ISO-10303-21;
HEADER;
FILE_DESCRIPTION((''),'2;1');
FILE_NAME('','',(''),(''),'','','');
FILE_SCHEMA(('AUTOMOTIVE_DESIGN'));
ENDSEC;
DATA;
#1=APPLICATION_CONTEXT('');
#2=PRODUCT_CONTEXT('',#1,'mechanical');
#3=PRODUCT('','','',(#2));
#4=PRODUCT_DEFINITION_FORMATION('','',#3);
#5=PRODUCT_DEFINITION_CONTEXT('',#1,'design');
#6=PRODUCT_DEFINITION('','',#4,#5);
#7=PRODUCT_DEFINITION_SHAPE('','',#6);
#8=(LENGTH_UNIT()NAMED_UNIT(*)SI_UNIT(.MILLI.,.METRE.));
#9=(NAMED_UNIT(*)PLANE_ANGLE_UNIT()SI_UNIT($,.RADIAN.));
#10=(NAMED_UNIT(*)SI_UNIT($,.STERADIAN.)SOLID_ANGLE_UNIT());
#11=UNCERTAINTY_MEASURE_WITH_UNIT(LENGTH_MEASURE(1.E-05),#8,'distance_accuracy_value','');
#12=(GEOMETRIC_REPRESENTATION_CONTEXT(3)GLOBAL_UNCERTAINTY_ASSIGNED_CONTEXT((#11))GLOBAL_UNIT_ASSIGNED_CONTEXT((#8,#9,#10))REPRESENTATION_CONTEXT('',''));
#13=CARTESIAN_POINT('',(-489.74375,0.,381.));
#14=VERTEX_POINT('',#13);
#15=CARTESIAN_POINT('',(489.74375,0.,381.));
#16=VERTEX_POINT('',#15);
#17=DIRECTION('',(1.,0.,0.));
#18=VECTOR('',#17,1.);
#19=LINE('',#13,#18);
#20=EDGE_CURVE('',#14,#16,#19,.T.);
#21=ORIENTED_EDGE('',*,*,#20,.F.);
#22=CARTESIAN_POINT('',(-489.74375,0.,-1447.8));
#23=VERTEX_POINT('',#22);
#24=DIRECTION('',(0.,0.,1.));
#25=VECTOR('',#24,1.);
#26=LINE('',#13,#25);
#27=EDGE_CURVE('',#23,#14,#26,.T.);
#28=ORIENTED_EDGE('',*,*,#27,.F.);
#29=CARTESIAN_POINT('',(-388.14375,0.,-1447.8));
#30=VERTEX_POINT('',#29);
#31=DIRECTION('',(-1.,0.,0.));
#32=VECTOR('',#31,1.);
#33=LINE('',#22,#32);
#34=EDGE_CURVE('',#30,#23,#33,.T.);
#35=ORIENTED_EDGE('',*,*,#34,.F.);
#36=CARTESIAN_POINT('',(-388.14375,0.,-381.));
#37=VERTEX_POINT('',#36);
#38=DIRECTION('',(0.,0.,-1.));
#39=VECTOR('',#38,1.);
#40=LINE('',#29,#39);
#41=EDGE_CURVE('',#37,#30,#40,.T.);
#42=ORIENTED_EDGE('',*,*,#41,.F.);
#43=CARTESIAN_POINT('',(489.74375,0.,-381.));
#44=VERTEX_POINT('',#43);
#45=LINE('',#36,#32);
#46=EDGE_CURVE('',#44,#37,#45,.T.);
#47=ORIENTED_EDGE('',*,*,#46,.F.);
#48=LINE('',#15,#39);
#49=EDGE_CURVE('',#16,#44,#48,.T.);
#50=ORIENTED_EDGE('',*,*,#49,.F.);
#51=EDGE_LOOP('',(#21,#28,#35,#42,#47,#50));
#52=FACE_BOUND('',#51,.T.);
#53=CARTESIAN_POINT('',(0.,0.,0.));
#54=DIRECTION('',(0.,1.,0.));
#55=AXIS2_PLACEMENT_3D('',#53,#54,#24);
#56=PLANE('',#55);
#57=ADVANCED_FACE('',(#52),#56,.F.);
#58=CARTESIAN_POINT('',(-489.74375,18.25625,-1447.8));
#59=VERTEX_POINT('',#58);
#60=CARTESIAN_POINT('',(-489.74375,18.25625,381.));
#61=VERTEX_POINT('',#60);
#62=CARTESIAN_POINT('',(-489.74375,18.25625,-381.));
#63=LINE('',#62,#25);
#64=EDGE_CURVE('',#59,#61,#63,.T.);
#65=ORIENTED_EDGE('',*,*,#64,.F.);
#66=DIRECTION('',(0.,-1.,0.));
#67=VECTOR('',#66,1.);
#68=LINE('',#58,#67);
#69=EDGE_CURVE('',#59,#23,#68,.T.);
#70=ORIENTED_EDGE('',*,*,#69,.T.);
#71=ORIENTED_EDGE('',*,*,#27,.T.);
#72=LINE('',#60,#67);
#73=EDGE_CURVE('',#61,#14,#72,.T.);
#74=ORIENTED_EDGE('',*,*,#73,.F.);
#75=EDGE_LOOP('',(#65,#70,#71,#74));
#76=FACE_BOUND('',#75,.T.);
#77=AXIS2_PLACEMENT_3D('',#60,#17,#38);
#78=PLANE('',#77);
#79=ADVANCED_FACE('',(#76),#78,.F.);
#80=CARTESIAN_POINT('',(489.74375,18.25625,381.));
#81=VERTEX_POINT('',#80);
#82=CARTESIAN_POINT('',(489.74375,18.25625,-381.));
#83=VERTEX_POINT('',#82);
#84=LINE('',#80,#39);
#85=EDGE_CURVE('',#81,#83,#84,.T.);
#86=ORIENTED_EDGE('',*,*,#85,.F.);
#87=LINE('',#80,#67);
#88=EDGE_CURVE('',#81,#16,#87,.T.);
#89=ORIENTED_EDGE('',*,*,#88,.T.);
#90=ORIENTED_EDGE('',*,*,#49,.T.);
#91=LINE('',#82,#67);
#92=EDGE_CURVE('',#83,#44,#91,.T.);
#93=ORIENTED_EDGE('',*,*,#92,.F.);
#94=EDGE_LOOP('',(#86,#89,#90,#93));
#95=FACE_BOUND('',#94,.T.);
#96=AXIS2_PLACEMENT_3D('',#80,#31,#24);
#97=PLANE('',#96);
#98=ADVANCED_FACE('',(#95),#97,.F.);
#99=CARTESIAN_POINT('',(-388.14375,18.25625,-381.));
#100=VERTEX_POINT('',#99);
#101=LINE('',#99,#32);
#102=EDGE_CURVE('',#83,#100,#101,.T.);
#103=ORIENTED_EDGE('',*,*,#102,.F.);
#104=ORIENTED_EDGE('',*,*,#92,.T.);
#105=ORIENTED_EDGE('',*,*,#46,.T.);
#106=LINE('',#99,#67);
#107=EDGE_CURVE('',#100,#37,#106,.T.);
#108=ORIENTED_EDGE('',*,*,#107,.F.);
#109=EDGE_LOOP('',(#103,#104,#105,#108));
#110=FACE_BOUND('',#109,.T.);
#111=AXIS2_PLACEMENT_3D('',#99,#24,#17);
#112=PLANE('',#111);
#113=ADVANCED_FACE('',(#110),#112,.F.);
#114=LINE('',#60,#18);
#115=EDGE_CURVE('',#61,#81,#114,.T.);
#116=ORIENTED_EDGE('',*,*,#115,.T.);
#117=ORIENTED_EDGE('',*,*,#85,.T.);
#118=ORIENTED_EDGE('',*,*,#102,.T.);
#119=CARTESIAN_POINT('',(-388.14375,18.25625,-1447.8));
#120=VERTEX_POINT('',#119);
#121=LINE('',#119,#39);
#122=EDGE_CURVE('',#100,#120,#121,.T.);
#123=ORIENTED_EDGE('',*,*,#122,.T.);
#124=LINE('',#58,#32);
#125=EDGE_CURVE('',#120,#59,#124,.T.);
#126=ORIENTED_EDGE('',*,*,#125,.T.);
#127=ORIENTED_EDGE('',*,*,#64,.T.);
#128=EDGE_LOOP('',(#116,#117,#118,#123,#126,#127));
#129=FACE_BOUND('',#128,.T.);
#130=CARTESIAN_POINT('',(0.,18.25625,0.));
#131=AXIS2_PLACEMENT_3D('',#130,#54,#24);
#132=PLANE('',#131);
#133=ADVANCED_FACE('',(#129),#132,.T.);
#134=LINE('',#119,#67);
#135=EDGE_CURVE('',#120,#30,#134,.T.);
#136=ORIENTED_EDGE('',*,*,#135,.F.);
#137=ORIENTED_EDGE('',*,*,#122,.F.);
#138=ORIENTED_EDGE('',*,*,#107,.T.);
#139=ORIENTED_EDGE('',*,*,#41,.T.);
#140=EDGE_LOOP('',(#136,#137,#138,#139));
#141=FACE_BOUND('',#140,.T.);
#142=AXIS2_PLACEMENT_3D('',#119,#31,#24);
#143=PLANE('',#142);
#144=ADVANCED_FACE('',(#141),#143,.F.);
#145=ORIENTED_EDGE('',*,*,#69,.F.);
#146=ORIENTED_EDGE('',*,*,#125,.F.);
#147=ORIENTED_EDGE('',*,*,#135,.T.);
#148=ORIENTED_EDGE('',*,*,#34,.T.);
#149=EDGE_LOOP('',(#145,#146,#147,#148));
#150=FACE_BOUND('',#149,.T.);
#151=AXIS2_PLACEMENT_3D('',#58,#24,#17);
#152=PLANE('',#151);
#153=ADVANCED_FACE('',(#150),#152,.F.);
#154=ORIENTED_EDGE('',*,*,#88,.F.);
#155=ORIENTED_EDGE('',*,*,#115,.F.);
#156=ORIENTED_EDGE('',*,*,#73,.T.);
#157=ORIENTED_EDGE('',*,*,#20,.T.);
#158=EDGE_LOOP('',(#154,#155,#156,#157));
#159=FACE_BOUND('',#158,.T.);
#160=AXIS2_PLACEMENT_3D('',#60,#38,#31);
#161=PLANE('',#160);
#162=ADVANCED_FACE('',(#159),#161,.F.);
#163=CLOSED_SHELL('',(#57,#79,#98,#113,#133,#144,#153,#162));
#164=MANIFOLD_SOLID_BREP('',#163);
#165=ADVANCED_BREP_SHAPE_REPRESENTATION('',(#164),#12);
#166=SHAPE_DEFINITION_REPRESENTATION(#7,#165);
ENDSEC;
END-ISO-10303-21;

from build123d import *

# Parameters (mm, degrees)
BOSS_EXTRUDE1_DEPTH = 18.25625


with BuildPart() as part:
    # Sketch1 → Boss-Extrude1 (new body)
    with BuildSketch(Plane(origin=(0, 0, 0), x_dir=(1, 0, 0), z_dir=(0, 1, 0))):
        Polygon((-489.74375, 381), (-489.74375, 1447.8), (-388.14375, 1447.8), (-388.14375, 381), (489.74375, 381), (489.74375, -381), (-489.74375, -381), align=None)
    extrude(amount=BOSS_EXTRUDE1_DEPTH)


solid = part.part
